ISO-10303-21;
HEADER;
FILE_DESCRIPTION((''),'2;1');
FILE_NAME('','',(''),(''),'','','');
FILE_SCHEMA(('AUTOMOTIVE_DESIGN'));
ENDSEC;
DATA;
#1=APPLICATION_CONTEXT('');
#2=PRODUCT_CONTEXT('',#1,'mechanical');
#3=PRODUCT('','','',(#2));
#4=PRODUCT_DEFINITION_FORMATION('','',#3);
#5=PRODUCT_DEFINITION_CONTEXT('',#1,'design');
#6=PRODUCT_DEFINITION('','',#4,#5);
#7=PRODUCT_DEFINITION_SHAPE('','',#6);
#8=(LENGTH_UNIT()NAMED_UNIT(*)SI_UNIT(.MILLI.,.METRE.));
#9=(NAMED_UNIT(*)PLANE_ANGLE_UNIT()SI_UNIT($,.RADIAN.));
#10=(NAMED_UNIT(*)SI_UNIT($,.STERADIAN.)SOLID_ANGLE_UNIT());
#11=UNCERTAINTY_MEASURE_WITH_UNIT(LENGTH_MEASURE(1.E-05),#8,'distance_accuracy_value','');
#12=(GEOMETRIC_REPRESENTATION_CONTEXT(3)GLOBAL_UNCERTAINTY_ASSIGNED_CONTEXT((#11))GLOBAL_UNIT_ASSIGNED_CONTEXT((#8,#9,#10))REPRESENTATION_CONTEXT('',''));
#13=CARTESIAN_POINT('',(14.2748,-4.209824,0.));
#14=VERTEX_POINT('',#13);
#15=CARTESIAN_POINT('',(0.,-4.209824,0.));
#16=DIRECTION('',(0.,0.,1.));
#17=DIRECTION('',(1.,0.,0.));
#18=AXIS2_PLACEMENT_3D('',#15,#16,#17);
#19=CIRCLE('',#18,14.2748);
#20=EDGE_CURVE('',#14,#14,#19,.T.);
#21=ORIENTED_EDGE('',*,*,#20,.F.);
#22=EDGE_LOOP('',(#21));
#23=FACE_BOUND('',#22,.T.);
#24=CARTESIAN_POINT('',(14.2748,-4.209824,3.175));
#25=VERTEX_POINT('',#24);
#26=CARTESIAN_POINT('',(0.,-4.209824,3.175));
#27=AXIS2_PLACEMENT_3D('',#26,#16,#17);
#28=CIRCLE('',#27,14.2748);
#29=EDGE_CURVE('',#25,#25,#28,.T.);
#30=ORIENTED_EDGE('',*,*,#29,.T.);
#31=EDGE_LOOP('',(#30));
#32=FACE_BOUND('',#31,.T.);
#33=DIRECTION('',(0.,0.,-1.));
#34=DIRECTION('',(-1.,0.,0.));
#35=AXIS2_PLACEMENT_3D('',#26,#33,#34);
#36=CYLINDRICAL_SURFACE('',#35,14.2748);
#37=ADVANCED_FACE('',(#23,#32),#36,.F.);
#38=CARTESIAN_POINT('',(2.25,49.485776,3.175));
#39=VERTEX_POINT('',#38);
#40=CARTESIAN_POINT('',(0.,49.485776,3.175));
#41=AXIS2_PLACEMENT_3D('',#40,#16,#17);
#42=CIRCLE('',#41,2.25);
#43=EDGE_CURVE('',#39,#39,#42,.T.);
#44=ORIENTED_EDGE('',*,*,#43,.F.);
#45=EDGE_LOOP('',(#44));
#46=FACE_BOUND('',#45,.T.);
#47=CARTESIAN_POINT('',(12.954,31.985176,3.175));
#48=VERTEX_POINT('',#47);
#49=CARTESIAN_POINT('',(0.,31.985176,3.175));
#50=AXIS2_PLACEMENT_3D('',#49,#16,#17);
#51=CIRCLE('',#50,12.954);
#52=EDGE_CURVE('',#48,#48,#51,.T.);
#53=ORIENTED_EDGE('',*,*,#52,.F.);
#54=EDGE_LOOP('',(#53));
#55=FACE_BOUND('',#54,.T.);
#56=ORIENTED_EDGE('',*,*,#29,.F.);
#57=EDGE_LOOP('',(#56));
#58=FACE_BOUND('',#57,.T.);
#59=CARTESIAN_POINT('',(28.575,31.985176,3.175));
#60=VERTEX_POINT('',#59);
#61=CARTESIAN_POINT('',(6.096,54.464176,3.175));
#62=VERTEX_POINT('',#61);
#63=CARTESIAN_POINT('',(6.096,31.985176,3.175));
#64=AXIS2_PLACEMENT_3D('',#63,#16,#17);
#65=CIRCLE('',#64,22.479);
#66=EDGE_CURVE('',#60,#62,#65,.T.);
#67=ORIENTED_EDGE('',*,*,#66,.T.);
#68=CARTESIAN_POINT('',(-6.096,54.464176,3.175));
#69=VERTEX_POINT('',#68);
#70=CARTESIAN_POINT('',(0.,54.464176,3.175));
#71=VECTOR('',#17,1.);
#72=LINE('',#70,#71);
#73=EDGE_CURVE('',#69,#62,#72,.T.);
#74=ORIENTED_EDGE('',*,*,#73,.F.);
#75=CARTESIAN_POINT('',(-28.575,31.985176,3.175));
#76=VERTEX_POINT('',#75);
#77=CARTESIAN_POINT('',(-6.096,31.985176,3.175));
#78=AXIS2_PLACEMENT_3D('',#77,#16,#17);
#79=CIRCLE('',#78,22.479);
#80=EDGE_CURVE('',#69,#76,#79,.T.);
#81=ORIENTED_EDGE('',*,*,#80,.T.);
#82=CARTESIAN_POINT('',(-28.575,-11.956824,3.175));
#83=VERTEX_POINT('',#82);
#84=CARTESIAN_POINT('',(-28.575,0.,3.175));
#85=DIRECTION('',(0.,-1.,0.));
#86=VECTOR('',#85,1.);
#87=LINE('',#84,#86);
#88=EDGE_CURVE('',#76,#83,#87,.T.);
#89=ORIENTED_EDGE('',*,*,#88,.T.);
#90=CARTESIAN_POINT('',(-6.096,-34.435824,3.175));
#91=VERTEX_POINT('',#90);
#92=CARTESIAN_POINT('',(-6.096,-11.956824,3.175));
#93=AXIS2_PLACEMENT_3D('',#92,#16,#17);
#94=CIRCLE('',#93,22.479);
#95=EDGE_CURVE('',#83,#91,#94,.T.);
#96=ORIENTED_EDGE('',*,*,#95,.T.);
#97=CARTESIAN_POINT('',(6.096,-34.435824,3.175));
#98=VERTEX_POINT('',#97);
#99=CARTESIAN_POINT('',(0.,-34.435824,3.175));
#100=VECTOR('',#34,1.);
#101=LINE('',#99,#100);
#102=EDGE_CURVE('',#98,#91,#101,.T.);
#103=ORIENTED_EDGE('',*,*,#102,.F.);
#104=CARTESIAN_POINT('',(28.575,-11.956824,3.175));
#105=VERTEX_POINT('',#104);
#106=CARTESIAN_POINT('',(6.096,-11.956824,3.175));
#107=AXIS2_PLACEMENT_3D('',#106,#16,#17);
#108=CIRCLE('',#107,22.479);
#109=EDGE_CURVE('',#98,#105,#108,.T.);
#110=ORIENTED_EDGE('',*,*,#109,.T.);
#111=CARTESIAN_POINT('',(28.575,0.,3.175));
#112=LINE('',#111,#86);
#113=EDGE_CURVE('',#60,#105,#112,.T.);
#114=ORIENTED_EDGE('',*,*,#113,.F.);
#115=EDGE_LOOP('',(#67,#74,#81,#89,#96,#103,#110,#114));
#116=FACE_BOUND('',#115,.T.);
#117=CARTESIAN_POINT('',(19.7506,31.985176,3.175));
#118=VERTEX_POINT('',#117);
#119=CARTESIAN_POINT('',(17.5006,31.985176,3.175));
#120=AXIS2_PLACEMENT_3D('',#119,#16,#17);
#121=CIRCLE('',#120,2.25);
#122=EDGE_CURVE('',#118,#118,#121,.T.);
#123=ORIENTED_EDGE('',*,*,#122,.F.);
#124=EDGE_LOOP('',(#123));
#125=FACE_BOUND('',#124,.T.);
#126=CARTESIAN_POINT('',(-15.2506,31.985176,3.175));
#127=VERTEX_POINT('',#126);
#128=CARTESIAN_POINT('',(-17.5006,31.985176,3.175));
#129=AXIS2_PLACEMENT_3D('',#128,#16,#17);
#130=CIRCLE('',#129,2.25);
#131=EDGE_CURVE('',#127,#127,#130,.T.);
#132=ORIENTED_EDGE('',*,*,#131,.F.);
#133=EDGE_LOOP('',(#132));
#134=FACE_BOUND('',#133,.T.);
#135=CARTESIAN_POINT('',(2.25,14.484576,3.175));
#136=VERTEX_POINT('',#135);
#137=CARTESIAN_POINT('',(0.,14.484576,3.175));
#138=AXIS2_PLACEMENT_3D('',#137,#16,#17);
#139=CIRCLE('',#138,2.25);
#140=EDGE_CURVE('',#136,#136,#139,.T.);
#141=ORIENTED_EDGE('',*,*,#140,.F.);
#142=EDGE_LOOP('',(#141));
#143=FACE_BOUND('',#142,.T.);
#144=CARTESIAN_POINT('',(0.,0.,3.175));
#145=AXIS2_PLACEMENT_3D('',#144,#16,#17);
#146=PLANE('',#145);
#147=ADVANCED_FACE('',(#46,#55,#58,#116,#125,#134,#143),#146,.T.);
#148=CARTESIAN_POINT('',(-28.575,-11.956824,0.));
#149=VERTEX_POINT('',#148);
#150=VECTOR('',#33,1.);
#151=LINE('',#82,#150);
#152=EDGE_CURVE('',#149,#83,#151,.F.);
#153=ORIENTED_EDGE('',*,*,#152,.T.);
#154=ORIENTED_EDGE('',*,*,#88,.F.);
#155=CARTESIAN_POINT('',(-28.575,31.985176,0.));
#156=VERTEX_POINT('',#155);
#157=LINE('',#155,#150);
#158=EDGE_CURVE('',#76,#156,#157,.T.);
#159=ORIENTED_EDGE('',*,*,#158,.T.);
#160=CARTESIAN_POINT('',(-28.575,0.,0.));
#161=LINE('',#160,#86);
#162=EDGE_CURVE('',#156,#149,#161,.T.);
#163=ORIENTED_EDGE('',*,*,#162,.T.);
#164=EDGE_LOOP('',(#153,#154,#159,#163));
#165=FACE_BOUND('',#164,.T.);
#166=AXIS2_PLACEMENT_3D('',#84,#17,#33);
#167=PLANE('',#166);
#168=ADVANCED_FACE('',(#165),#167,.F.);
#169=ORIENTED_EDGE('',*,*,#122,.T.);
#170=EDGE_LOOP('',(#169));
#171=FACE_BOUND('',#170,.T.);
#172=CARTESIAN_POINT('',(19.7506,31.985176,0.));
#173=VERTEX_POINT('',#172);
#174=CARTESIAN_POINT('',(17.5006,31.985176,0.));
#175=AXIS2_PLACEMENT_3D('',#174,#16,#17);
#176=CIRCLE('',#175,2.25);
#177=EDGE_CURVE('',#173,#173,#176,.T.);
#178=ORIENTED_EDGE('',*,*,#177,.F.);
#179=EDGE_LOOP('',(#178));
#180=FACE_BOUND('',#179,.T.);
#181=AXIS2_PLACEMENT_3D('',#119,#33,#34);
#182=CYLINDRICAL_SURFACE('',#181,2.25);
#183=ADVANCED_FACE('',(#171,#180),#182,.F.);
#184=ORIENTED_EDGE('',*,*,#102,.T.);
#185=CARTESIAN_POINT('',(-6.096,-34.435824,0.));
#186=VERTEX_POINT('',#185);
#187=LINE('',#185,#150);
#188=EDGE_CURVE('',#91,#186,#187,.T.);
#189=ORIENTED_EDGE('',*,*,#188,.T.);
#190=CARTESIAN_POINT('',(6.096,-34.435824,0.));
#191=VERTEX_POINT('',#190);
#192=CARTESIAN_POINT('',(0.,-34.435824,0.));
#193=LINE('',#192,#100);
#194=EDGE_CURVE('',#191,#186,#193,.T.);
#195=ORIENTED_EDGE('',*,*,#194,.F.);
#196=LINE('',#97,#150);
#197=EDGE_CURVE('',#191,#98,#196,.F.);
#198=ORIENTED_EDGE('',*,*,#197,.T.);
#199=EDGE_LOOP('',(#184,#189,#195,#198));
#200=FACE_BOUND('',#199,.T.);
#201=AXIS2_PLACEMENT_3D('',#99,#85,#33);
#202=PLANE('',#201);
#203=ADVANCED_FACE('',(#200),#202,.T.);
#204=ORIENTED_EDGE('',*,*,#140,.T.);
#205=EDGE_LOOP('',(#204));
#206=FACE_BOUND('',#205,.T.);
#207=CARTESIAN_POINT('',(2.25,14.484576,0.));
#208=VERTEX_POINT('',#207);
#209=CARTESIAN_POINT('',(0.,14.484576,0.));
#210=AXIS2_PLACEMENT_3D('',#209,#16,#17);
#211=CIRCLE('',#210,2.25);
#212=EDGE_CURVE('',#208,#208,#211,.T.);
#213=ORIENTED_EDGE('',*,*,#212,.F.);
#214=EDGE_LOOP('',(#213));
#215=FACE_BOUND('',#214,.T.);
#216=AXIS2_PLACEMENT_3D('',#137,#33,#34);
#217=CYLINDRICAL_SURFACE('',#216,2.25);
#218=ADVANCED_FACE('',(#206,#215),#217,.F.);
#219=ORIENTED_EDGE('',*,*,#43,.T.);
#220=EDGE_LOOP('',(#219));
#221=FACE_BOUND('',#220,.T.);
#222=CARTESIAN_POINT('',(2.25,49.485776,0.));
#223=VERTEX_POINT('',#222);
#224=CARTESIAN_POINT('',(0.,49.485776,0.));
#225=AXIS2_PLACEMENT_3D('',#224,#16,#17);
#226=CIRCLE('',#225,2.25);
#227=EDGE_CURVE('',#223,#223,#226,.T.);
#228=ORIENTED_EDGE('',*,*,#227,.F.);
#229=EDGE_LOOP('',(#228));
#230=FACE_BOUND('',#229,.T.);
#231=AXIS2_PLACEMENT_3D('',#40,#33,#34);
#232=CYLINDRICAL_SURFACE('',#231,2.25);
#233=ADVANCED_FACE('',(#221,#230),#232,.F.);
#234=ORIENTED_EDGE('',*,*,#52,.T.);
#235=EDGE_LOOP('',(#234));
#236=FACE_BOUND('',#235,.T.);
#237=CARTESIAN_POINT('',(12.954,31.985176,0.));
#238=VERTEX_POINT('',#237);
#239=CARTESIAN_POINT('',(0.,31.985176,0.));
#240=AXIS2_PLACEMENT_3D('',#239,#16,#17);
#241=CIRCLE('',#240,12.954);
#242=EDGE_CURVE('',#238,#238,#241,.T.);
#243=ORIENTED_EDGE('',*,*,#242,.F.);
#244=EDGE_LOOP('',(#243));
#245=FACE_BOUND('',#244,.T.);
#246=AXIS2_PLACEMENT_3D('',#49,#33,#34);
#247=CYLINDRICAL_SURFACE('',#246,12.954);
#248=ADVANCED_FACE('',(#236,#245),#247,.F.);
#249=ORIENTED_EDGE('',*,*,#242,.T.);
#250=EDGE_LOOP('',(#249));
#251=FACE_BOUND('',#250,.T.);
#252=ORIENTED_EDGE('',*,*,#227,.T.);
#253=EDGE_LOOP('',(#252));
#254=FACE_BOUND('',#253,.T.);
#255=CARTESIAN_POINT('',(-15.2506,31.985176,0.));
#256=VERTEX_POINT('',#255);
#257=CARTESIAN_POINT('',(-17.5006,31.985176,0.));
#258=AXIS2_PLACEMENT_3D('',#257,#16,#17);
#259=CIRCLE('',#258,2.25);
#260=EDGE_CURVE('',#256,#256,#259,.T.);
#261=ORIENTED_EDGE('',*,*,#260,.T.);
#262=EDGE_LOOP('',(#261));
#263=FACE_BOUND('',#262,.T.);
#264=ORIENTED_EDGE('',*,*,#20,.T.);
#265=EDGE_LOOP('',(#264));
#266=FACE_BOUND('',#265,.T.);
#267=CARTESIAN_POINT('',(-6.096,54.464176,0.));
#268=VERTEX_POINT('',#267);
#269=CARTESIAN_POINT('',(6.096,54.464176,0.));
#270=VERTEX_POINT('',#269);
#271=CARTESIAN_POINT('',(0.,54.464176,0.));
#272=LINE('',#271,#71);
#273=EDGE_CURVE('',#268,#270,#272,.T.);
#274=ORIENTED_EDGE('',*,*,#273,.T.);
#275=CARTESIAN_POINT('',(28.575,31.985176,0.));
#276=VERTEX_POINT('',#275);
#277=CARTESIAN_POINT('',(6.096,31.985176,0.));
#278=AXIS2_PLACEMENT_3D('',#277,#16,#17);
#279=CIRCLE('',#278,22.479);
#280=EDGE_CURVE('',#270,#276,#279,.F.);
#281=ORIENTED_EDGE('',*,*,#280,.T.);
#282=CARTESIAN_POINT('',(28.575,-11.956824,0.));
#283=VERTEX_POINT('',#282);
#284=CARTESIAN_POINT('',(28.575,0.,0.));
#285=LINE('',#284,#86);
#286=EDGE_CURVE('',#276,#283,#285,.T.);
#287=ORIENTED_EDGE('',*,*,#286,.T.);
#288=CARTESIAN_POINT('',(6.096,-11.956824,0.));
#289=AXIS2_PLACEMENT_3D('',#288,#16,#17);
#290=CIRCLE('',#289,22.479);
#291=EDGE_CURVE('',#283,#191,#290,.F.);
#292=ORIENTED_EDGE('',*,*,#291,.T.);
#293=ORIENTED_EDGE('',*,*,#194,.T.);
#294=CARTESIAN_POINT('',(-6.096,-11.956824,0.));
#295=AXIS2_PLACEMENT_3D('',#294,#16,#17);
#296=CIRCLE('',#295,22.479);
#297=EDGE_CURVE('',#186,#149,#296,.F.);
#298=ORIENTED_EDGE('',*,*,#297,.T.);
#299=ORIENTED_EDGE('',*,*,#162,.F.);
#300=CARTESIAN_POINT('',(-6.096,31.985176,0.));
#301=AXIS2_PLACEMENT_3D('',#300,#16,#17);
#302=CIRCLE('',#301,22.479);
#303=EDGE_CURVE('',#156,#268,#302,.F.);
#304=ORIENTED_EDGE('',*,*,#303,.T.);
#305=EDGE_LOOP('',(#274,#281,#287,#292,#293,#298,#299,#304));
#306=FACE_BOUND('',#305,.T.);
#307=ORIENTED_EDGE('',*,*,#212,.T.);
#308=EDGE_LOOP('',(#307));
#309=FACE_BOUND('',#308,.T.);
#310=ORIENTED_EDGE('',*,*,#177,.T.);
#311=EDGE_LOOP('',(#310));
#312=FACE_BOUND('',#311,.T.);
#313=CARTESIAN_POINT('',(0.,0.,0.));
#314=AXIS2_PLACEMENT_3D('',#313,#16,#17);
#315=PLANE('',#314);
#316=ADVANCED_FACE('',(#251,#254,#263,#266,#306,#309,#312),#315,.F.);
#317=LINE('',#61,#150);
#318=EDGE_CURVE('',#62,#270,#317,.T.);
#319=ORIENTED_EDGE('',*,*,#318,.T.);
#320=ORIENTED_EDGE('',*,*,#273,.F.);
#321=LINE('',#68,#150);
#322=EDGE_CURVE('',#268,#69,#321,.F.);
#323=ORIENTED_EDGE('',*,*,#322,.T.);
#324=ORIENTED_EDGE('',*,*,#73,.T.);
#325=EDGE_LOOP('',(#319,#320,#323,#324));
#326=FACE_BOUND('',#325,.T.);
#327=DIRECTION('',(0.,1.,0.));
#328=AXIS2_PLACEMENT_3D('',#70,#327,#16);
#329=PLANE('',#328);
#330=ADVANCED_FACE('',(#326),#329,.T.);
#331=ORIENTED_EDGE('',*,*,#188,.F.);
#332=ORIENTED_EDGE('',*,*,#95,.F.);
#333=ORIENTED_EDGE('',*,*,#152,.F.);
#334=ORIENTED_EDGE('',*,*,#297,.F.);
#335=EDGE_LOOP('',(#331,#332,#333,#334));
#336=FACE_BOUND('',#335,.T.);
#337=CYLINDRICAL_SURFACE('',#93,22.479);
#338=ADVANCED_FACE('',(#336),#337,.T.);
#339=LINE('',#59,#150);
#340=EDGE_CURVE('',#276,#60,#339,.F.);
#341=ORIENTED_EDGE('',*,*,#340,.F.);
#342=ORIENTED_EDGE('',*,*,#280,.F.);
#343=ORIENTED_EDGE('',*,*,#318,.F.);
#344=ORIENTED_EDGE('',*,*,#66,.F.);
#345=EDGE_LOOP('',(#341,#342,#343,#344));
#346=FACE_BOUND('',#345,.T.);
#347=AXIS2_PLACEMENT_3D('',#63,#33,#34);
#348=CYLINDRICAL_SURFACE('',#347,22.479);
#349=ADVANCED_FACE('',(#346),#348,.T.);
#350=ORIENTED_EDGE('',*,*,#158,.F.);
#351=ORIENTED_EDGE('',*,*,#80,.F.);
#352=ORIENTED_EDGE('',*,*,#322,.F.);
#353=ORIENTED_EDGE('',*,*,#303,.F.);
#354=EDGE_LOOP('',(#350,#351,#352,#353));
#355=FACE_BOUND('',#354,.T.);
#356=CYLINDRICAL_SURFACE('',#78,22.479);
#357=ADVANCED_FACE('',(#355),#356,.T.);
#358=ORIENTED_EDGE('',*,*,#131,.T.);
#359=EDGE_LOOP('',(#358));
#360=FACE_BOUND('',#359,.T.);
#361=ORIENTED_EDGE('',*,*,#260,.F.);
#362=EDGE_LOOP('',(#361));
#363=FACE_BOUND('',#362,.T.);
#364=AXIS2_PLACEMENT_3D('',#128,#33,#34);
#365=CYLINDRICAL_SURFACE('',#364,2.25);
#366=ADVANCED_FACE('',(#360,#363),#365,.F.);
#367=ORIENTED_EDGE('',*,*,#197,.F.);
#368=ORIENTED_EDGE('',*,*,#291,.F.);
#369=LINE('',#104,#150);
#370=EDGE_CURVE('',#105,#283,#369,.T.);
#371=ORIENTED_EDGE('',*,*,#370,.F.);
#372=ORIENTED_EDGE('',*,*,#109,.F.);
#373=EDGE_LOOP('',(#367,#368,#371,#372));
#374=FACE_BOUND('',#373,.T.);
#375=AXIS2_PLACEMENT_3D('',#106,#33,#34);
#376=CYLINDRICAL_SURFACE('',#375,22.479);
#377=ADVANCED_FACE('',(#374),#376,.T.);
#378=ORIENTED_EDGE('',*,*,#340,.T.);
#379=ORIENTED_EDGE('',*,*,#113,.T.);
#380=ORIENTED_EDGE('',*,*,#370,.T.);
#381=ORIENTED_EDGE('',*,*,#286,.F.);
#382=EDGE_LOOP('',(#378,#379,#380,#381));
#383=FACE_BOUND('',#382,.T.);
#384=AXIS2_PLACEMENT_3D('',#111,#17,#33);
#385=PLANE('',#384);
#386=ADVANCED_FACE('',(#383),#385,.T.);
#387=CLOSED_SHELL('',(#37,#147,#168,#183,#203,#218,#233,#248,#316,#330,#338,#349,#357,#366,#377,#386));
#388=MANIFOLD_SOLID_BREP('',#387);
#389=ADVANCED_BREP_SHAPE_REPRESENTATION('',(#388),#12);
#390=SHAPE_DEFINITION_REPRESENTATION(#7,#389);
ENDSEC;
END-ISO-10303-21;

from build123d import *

# Parameters (mm, degrees)
SKETCH1_W           = 57.15
SKETCH1_H           = 88.9
SKETCH1_R           = 14.2748
SKETCH1_R_2         = 2.25
SKETCH1_R_3         = 12.954
BOSS_EXTRUDE1_DEPTH = 3.175
FILLET1_R           = 22.479


with BuildPart() as part:
    # Sketch1 → Boss-Extrude1 (new body)
    with BuildSketch(Plane.XY):
        with Locations((0, 10.014175534)):
            Rectangle(SKETCH1_W, SKETCH1_H)
        with Locations((0, -4.209824466)):
            Circle(SKETCH1_R, mode=Mode.SUBTRACT)
        with Locations((-17.5006, 31.985175534)):
            Circle(SKETCH1_R_2, mode=Mode.SUBTRACT)
        with Locations((0, 14.484575534)):
            Circle(SKETCH1_R_2, mode=Mode.SUBTRACT)
        with Locations((17.5006, 31.985175534)):
            Circle(SKETCH1_R_2, mode=Mode.SUBTRACT)
        with Locations((0, 49.485775534)):
            Circle(SKETCH1_R_2, mode=Mode.SUBTRACT)
        with Locations((0, 31.985175534)):
            Circle(SKETCH1_R_3, mode=Mode.SUBTRACT)
    extrude(amount=BOSS_EXTRUDE1_DEPTH)

    # Fillet1
    fillet1_edges = [part.edges().sort_by_distance(p)[0] for p in [
        (28.575, -34.435824466, 1.5875),
        (-28.575, -34.435824466, 1.5875),
        (-28.575, 54.464175534, 1.5875),
        (28.575, 54.464175534, 1.5875),
    ]]
    fillet(fillet1_edges, radius=FILLET1_R)


solid = part.part
